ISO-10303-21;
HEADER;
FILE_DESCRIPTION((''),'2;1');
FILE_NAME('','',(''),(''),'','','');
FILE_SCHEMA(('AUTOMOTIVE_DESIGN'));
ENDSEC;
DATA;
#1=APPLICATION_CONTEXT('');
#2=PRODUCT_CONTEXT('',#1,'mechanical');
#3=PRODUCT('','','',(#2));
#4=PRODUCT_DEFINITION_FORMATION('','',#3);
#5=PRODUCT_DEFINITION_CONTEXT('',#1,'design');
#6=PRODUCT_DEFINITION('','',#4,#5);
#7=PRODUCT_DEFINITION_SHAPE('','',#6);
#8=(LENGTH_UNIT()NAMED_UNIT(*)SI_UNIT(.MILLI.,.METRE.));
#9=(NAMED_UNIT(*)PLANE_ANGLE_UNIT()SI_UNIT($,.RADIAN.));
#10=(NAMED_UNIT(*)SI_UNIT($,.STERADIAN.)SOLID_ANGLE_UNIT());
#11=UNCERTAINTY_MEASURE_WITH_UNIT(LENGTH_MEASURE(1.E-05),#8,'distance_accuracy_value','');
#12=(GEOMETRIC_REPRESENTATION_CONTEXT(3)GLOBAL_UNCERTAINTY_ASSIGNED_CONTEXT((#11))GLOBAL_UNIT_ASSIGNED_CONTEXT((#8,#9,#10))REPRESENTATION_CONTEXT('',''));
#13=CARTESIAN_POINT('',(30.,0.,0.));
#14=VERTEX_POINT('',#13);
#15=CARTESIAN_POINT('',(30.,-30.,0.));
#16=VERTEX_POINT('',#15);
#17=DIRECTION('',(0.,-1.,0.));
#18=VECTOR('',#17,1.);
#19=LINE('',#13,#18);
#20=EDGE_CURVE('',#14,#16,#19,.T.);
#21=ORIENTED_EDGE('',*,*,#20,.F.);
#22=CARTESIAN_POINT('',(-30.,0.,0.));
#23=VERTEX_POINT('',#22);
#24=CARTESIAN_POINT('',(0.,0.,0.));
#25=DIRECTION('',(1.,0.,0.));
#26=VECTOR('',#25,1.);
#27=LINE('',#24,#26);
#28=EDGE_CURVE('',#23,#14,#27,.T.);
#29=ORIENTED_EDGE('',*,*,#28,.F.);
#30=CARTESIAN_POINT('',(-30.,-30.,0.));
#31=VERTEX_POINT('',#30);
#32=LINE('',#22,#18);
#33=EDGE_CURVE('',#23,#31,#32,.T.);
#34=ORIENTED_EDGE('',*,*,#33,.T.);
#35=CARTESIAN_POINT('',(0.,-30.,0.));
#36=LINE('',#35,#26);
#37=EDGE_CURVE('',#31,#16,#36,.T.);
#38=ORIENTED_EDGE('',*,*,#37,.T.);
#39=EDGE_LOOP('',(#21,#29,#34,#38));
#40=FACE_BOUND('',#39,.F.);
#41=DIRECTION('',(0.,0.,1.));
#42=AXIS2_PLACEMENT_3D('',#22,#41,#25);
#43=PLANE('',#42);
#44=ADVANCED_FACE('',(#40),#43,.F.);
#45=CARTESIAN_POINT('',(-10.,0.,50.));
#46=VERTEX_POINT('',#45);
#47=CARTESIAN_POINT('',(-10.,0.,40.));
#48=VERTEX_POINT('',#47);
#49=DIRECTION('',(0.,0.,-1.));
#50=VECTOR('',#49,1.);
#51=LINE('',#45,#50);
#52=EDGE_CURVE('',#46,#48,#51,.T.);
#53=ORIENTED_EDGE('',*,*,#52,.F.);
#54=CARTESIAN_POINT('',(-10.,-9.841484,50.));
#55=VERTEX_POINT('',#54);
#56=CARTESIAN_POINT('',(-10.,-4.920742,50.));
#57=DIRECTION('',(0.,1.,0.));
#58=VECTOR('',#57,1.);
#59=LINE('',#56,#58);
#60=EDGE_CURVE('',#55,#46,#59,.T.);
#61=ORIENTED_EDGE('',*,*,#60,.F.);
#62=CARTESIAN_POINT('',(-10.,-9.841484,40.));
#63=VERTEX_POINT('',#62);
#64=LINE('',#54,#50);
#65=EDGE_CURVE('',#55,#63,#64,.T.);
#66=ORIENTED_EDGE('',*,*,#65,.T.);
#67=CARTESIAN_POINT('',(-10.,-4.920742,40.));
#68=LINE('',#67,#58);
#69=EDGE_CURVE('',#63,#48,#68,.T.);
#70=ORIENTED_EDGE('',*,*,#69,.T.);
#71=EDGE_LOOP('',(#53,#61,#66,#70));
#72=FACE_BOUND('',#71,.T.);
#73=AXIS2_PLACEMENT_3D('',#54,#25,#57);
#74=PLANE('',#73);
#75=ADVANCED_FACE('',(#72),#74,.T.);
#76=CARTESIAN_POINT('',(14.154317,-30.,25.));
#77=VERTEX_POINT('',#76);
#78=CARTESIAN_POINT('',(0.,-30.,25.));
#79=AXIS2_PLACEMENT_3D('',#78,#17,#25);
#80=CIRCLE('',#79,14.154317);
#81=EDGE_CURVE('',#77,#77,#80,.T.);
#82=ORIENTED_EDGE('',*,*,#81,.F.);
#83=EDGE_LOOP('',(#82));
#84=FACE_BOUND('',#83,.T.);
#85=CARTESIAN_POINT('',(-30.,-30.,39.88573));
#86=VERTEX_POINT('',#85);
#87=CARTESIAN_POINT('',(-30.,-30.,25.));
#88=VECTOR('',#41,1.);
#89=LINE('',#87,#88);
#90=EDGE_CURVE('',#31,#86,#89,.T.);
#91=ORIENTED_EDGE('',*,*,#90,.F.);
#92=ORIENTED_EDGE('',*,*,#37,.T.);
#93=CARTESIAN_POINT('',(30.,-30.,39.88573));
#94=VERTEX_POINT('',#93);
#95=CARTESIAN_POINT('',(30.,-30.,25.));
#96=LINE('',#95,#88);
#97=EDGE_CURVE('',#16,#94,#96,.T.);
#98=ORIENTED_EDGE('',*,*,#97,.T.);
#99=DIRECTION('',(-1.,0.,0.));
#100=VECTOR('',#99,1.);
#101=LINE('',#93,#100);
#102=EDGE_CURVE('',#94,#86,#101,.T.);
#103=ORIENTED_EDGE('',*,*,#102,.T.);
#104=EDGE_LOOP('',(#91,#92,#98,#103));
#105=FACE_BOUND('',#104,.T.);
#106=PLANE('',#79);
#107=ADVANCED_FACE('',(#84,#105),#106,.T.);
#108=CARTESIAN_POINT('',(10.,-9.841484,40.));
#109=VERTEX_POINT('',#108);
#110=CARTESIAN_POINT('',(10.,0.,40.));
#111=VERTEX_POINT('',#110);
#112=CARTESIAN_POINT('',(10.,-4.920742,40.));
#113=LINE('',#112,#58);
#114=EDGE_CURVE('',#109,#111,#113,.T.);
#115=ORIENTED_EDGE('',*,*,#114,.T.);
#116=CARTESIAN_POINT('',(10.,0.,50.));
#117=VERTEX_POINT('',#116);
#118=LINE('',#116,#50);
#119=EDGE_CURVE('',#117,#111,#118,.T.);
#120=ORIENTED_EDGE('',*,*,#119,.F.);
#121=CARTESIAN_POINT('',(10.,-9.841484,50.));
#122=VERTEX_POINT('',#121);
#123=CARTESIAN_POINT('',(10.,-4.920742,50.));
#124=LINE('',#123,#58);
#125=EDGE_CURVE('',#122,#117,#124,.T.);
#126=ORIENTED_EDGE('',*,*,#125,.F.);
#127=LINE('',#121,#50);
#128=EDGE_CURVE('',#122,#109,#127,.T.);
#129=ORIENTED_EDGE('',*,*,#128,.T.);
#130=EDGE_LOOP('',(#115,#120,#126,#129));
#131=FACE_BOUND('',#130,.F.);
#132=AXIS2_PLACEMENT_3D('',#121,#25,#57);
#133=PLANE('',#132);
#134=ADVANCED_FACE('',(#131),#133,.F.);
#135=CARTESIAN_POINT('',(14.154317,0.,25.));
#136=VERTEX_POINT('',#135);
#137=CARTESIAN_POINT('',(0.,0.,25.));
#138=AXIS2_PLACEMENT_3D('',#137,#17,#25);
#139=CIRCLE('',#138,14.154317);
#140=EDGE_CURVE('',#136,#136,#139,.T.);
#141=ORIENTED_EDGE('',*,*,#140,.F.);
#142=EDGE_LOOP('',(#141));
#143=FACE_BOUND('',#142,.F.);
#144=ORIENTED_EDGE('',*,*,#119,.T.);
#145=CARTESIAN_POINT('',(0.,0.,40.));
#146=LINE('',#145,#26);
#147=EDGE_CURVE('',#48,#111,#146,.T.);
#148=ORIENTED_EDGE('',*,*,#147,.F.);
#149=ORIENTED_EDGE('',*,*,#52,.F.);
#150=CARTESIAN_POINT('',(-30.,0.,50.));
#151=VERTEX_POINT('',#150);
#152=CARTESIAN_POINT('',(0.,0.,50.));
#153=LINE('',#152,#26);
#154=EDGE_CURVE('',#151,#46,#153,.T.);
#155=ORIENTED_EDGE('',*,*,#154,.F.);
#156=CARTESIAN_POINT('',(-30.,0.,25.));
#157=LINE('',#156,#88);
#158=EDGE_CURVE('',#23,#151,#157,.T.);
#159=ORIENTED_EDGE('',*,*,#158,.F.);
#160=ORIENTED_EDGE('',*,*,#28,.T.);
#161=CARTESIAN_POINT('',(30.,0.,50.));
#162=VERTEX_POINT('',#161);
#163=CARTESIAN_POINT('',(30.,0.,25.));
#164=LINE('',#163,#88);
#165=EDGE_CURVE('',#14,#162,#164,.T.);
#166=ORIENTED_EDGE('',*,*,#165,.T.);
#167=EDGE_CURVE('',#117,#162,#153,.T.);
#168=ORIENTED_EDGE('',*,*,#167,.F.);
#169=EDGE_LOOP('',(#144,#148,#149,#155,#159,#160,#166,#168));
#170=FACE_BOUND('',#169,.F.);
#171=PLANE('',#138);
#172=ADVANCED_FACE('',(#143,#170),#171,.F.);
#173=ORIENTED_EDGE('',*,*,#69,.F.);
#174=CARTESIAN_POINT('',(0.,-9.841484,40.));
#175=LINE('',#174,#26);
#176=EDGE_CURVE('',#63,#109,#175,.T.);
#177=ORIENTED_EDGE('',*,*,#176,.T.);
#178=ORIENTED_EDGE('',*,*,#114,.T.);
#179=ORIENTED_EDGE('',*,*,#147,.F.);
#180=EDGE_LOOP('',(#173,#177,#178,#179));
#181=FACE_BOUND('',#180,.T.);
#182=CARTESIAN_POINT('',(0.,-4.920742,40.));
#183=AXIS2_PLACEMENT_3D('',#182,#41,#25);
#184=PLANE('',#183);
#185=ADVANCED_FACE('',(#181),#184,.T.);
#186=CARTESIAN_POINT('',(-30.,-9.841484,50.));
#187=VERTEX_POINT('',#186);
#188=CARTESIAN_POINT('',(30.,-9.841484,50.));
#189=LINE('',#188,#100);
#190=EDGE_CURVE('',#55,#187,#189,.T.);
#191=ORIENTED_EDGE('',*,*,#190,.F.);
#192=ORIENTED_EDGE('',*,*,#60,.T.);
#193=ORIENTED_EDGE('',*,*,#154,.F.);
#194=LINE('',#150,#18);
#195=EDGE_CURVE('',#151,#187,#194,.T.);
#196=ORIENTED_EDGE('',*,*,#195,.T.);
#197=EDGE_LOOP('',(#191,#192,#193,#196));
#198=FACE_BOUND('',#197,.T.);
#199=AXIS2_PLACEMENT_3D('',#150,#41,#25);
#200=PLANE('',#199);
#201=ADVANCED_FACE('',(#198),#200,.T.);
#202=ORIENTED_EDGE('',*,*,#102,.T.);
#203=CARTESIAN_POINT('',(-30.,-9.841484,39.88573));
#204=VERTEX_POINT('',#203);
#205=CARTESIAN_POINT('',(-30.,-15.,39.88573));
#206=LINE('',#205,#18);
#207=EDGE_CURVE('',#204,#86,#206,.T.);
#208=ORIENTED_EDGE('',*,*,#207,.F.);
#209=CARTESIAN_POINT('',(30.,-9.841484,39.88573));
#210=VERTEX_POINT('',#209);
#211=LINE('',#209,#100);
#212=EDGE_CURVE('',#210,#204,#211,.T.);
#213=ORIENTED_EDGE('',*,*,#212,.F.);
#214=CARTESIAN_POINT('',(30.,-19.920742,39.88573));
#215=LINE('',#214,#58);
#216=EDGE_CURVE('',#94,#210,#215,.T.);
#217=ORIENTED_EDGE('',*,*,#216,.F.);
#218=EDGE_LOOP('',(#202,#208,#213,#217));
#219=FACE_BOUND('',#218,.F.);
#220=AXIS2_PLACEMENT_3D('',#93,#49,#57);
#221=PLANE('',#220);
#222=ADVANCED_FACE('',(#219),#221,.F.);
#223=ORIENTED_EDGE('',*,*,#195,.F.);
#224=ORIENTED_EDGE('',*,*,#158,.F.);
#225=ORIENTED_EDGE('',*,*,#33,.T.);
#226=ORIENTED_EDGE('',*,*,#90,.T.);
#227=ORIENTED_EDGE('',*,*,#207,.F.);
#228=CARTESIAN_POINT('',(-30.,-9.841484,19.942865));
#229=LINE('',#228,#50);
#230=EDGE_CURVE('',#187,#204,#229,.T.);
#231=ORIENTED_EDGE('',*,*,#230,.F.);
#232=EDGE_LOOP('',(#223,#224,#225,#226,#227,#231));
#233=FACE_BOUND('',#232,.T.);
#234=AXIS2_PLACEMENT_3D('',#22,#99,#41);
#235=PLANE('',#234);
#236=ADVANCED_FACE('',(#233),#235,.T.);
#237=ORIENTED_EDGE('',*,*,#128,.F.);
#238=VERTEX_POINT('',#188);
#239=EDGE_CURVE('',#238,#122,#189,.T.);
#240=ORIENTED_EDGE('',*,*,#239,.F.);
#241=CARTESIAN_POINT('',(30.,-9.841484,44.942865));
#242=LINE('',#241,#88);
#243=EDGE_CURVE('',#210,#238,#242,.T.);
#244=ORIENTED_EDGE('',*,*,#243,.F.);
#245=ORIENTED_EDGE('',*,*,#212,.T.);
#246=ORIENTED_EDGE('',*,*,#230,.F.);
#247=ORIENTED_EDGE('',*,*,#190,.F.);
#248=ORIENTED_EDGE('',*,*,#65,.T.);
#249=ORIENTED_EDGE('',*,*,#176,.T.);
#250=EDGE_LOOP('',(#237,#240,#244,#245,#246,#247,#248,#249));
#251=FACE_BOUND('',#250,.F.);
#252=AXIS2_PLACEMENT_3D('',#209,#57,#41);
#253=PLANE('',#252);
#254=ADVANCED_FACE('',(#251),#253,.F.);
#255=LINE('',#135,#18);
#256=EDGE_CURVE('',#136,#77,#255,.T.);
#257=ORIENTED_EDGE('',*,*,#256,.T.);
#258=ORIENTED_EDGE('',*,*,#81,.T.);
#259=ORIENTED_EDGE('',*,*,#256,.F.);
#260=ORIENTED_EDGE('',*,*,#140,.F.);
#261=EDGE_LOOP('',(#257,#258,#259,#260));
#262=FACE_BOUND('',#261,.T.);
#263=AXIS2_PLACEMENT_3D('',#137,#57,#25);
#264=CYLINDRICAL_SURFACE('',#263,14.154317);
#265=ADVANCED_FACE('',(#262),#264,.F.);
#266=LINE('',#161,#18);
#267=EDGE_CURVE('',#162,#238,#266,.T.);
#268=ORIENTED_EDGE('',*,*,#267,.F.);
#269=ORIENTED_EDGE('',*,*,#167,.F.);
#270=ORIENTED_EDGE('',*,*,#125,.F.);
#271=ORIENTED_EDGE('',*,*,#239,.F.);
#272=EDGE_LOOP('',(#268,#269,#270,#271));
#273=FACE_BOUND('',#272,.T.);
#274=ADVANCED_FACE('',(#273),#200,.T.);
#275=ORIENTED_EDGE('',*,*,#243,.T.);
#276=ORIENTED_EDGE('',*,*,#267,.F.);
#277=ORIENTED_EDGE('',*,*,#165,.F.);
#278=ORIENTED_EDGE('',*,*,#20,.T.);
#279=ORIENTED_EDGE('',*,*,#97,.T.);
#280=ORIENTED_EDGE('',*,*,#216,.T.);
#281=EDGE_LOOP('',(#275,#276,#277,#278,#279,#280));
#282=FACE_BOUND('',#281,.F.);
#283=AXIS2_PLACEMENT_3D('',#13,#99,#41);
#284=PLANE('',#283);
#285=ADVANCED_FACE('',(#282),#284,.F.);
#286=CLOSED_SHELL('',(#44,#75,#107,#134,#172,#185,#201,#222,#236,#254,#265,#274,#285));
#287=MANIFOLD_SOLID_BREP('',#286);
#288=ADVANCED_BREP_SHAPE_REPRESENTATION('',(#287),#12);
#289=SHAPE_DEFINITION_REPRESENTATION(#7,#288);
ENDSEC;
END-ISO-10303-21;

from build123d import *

# Parameters (mm, degrees)
F0_W     = 60
F0_H     = 50
F0_R     = 14.1543173952
F1_DEPTH = 30
F2_W     = 20.1585159823
F2_H     = 10.1142704487
F3_DEPTH = 95
F4_W     = 20
F4_H     = 9.8414840177
F5_DEPTH = 10


with BuildPart() as f1:
    # F0 (on Front) → F1 (new body)
    with BuildSketch(Plane.XZ):
        with Locations((0, 25)):
            Rectangle(F0_W, F0_H)
        with Locations((0, 25)):
            Circle(F0_R, mode=Mode.SUBTRACT)
    extrude(amount=F1_DEPTH)

    # F2 (on face) → F3 (cut)
    with BuildSketch(Plane.YZ.offset(30)):
        with Locations((-19.9207420088, 44.9428647757)):
            Rectangle(F2_W, F2_H)
    extrude(amount=-F3_DEPTH, mode=Mode.SUBTRACT)

    # F4 (on face) → F5 (cut)
    with BuildSketch(Plane.XY.offset(50)):
        with Locations((0, -4.9207420088)):
            Rectangle(F4_W, F4_H)
    extrude(amount=-F5_DEPTH, mode=Mode.SUBTRACT)


solid = f1.part
